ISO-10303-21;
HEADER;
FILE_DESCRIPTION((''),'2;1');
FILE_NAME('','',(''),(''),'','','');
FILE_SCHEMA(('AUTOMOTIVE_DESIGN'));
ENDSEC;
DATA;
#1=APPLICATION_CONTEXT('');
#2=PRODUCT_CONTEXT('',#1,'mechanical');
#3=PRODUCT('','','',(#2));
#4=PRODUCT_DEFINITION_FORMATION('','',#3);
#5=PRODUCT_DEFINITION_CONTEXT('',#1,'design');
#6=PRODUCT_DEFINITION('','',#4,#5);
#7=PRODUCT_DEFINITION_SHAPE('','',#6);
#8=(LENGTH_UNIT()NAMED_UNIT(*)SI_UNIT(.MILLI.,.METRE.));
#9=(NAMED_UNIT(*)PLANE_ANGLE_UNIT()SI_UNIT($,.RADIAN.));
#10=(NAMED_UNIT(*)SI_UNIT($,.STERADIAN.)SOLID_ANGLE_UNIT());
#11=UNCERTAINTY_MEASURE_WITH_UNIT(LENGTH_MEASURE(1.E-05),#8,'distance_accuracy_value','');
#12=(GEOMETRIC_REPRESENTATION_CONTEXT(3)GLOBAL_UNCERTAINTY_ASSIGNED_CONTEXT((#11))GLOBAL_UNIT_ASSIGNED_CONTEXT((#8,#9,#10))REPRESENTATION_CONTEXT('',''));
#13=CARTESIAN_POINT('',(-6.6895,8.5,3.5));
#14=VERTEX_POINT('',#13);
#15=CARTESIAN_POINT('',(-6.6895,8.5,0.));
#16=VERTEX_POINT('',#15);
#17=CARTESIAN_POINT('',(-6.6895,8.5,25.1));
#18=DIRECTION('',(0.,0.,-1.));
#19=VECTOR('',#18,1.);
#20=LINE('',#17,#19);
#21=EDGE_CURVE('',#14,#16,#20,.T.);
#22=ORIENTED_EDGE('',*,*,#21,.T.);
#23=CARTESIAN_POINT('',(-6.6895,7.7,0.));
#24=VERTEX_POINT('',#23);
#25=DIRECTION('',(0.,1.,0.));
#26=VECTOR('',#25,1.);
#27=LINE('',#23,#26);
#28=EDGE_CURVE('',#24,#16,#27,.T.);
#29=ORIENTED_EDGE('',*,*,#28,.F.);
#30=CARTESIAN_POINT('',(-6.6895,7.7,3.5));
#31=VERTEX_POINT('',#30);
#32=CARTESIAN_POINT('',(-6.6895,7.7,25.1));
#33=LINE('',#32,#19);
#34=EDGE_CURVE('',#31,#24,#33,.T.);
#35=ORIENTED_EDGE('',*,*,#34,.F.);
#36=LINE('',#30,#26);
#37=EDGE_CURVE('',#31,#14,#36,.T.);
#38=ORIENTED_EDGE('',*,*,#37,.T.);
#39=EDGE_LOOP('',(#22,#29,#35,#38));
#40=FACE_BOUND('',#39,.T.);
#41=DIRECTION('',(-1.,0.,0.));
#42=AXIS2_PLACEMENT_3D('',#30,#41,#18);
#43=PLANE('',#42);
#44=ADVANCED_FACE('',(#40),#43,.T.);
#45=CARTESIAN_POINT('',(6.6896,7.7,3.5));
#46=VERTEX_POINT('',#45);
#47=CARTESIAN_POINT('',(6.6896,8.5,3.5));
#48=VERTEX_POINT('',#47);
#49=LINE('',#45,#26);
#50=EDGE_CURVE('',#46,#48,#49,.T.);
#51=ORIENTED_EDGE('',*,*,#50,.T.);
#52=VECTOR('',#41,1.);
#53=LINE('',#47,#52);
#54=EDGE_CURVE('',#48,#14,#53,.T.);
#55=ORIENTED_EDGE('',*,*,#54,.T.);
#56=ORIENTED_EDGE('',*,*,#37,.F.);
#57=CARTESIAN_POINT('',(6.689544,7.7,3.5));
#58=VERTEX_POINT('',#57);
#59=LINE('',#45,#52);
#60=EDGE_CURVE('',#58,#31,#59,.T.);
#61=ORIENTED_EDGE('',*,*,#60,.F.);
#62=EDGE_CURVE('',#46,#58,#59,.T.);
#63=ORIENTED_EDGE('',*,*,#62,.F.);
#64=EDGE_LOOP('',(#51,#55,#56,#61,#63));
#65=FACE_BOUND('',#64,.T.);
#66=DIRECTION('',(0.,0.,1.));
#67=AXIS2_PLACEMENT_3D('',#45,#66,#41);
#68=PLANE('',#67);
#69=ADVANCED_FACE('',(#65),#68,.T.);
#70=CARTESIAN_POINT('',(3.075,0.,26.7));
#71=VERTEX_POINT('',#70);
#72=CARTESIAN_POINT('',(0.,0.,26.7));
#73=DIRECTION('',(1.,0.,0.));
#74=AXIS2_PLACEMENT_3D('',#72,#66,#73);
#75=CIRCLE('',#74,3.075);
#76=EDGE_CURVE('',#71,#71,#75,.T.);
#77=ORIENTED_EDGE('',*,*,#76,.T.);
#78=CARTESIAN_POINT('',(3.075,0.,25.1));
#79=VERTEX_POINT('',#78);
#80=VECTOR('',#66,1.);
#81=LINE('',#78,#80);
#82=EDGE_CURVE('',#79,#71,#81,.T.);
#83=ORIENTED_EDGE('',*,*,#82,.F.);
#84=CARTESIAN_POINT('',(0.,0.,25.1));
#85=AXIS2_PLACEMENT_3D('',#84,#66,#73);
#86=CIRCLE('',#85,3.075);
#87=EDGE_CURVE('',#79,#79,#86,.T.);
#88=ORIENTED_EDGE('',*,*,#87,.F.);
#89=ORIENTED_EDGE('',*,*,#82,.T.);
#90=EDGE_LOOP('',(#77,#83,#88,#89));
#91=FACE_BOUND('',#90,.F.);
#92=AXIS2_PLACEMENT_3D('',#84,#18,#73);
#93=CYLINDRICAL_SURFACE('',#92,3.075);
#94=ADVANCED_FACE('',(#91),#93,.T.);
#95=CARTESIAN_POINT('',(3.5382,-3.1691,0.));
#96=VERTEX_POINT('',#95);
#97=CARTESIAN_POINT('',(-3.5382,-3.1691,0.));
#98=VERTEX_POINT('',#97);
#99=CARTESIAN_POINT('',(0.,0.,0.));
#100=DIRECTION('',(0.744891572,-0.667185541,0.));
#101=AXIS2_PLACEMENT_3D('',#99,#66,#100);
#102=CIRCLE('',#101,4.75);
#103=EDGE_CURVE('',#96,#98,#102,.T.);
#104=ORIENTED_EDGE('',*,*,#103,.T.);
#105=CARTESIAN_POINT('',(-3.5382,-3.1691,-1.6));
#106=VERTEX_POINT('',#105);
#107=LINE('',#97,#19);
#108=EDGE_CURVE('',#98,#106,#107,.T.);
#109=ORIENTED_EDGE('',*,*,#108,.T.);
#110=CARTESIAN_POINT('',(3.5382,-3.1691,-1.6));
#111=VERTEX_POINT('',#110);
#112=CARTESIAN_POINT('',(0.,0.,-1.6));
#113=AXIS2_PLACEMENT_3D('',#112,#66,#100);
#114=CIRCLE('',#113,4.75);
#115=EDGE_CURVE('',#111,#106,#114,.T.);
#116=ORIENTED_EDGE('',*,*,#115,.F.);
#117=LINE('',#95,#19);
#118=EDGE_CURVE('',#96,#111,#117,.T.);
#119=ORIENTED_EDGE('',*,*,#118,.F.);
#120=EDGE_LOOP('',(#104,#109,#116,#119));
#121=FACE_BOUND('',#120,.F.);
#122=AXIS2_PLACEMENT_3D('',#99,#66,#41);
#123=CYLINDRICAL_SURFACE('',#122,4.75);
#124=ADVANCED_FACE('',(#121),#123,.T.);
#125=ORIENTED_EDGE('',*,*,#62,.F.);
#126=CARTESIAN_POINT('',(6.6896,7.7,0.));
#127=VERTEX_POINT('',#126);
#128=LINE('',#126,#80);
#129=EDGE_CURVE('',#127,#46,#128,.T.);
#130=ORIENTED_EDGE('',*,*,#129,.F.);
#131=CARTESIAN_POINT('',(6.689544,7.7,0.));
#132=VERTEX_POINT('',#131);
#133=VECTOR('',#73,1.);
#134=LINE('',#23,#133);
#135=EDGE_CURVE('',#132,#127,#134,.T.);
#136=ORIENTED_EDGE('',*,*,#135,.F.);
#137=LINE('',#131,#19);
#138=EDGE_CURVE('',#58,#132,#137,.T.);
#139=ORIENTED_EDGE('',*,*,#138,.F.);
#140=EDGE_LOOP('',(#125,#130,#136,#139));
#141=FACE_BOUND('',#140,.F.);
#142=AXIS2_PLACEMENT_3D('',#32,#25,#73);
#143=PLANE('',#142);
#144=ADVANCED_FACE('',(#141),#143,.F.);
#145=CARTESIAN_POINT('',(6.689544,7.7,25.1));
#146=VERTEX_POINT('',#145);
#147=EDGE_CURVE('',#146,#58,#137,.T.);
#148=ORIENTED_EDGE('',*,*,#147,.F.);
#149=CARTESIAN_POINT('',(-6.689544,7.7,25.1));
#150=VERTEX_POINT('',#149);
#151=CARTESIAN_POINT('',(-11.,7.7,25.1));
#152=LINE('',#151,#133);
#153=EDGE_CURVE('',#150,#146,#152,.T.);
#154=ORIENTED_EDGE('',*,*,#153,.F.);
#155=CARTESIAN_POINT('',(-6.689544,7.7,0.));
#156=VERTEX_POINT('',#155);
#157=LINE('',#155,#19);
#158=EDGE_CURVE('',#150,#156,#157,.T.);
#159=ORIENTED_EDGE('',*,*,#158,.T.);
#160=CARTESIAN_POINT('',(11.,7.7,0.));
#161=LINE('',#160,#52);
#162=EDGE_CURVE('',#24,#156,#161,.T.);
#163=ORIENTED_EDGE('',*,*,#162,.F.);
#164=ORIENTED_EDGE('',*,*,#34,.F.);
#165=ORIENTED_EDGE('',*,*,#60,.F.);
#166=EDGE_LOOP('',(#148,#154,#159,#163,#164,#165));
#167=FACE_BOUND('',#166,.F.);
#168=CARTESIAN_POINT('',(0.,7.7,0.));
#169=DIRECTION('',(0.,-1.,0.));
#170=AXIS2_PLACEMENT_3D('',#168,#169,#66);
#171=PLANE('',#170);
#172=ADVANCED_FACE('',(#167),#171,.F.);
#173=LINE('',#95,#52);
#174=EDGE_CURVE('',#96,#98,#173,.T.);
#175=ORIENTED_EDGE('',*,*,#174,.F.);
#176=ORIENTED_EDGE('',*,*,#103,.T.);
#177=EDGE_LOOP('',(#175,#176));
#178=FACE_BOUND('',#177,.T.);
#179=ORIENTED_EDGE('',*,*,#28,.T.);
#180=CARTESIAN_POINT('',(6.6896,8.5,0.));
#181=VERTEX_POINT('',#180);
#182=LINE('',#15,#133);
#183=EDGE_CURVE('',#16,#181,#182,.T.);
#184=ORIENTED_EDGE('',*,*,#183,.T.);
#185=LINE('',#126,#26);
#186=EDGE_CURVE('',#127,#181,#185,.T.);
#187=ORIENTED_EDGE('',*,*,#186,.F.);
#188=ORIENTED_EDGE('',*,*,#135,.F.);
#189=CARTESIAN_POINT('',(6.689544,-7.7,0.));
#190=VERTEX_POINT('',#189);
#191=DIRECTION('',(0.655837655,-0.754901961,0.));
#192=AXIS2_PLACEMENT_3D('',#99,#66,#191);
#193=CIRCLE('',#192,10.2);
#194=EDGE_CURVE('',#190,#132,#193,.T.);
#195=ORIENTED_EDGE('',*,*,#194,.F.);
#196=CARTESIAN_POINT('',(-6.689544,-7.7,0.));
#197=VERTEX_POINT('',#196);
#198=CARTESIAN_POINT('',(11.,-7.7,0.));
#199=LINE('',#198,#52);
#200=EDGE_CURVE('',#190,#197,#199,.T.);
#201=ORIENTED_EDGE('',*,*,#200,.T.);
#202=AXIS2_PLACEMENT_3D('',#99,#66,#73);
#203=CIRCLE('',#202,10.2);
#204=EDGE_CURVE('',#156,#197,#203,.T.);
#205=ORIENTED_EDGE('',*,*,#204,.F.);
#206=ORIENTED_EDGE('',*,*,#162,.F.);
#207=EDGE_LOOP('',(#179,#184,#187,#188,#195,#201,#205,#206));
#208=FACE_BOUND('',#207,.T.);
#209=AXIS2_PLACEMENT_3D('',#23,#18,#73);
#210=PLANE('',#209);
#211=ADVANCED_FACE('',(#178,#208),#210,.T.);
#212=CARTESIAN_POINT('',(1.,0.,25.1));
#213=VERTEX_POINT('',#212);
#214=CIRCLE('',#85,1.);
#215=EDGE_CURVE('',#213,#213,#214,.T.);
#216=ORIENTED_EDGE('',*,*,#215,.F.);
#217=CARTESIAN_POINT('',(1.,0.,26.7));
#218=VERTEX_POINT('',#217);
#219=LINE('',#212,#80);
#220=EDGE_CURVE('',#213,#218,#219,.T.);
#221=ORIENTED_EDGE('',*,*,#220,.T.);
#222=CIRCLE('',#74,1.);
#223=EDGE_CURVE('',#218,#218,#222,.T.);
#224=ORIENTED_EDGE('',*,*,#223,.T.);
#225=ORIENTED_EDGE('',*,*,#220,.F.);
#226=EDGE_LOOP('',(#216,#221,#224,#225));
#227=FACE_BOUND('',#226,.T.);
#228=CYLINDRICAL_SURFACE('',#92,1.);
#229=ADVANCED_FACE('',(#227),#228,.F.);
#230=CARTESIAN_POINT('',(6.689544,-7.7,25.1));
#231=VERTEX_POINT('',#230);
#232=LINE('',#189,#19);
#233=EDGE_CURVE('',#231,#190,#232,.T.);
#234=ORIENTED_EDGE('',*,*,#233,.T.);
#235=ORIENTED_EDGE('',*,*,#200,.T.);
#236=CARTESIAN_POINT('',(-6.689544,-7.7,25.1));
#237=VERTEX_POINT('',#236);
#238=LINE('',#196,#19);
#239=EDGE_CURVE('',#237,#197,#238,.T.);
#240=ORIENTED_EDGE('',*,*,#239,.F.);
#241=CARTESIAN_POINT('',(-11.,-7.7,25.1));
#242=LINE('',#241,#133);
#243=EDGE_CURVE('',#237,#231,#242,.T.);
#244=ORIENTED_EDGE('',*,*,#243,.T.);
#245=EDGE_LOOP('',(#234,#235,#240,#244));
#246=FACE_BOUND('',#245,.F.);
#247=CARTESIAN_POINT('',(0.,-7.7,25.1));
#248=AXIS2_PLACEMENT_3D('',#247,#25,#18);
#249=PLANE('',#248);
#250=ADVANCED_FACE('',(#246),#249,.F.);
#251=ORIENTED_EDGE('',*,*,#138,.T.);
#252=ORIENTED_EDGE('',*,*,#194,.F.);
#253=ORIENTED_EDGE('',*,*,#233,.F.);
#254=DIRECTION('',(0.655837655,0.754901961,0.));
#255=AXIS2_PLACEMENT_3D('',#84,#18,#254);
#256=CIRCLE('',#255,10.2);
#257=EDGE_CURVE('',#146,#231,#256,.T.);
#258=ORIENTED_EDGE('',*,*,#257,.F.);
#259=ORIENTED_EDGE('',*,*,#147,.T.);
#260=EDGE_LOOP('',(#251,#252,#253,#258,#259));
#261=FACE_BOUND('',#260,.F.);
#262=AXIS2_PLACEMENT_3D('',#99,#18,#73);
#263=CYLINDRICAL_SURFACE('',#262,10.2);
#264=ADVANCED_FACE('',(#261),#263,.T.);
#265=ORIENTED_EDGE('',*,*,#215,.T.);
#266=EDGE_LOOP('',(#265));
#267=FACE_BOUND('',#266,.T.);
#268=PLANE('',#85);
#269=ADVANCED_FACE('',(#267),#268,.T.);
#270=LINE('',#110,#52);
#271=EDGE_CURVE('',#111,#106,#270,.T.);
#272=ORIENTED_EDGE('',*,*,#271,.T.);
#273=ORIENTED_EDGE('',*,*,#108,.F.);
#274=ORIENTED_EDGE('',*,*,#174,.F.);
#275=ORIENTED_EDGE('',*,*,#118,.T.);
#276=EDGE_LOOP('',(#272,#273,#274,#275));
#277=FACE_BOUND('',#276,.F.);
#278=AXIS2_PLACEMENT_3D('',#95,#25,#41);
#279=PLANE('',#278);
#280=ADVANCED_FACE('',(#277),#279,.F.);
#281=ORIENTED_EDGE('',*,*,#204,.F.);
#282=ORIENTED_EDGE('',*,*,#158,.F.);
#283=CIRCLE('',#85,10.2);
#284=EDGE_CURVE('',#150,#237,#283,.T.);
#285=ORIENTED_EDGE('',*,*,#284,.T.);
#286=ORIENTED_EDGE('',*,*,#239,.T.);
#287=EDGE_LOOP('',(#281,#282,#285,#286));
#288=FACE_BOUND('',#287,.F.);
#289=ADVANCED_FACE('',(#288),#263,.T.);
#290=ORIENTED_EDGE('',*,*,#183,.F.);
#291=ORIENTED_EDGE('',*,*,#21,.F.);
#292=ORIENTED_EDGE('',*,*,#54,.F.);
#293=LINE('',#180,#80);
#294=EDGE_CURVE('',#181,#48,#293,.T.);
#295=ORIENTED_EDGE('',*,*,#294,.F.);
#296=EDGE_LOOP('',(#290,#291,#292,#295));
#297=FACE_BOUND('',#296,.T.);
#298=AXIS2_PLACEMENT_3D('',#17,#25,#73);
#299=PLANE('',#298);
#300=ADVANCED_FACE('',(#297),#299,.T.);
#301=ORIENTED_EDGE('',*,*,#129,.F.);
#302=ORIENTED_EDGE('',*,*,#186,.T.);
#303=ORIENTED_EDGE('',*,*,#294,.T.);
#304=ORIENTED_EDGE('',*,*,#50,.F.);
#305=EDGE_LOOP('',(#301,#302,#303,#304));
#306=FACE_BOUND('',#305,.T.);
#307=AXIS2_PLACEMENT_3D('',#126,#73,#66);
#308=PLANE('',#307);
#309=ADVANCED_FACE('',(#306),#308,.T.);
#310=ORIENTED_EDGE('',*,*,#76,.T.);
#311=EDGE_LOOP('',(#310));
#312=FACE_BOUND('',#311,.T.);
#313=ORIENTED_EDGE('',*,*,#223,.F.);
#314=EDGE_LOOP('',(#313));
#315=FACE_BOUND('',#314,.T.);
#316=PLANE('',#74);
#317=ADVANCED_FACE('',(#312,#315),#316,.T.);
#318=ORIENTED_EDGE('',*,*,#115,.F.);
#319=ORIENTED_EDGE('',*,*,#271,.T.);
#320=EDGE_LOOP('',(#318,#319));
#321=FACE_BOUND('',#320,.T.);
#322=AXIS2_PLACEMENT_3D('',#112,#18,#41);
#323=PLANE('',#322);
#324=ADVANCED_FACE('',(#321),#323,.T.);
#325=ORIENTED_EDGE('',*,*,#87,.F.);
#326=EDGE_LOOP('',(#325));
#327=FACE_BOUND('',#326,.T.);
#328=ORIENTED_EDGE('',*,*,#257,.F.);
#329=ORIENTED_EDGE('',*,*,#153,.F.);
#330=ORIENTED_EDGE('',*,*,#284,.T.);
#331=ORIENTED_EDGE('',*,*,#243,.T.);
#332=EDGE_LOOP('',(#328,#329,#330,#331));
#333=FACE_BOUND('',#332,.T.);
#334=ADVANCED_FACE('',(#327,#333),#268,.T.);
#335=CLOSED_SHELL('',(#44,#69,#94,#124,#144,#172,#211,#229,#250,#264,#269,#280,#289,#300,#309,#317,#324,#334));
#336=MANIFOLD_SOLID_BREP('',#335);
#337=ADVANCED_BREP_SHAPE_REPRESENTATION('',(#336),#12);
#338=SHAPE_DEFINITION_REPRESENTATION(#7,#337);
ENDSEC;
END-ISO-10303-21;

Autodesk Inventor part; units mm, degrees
ref_plane "XZ Plane" through (0, 0, 0) normal (0, 1, 0) x (-1, 0, 0)
ref_plane "XY Plane" through (0, 0, 0) normal (0, 0, 1) x (1, 0, 0)
sketch "Sketch1" plane through (0, 0, 0) normal (0, 0, 1) x (1, 0, 0)
  circle A0 centre (0, 0) radius 10.2
  dimension "d0" = 20.4
extrude "Extrusion1" add sketch "Sketch1" along normal blind 25.1
ref_plane "Work Plane1" through (0, 0, 0) normal (1, 0, 0) x (0, 1, 0)
sketch "Sketch2" plane through (0, 0, 0) normal (1, 0, 0) x (0, 1, 0)
  line L0 (10.2, 25.1) -> (-10.2, 25.1) projected
  line L1 (10.2, 25.1) -> (-10.2, 25.1)
  line L2 (-10.2, 25.1) -> (-10.2, 0)
  line L3 (-10.2, 0) -> (10.2, 0)
  line L4 (10.2, 0) -> (10.2, 25.1)
  line L5 (0, 0) -> (7.7, 0)
  line L6 (7.7, 0) -> (7.7, 25.1)
  line L7 (7.7, 25.1) -> (0, 25.1)
  line L8 (0, 25.1) -> (0, 0)
  line L9 (10.2, 0) -> (-10.2, 0) projected
  line L10 (7.7, 25.1) -> (10.2, 25.1)
  line L11 (10.2, 25.1) -> (10.2, 0)
  line L12 (10.2, 0) -> (7.7, 0)
  line L13 (7.7, 0) -> (7.7, 25.1)
  line L14 (0, 25.1) -> (-7.7, 25.1)
  line L15 (-7.7, 25.1) -> (-7.7, 0)
  line L16 (-7.7, 0) -> (0, 0)
  line L17 (0, 0) -> (0, 25.1)
  line L18 (-7.7, 0) -> (-10.2, 0)
  line L19 (-10.2, 0) -> (-10.2, 25.1)
  line L20 (-10.2, 25.1) -> (-7.7, 25.1)
  line L21 (-7.7, 25.1) -> (-7.7, 0)
  dimension "d4" = 7.7
  dimension "d5" = 7.7
extrude "Extrusion2" cut sketch "Sketch2" along normal mid plane 22 contours L4 L3 L6 L0 | L15 L3 L2 L0
sketch "Sketch3" plane through (0, 0, 25.1) normal (0, 0, 1) x (1, 0, 0)
  circle A0 centre (0, 0) radius 3.075
  circle A1 centre (0, 0) radius 1
  dimension "d8" = 6.15
  dimension "d9" = 2
extrude "Extrusion3" add sketch "Sketch3" along normal blind 1.6
sketch "Sketch4" plane through (-6.6895, 7.7, 25.1) normal (0, 1, 0) x (1, 0, 0)
  line L0 (0, 0) -> (0, 25.1) projected
  line L1 (13.3791, 25.1) -> (13.3791, 0) projected
  line L2 (0, 25.1) -> (13.3791, 25.1)
  line L3 (13.3791, 25.1) -> (13.3791, 21.6)
  line L4 (13.3791, 21.6) -> (0, 21.6)
  line L5 (0, 21.6) -> (0, 25.1)
  point P0 (6.6895, 25.1)
  dimension "d12" = 3.5
extrude "Extrusion4" add sketch "Sketch4" along normal blind 0.8
sketch "Sketch5" plane through (0, 0, 0) normal (0, 0, -1) x (-1, 0, 0)
  circle A0 centre (0, 0) radius 4.75
  line L0 (-3.5382, -3.1691) -> (3.5382, -3.1691)
  dimension "d15" = 9.5
extrude "Extrusion6" add sketch "Sketch5" along normal blind 1.6 contours A0 L0 picked at (0.1876, -0.5406)
properties part number "DCMotor"
